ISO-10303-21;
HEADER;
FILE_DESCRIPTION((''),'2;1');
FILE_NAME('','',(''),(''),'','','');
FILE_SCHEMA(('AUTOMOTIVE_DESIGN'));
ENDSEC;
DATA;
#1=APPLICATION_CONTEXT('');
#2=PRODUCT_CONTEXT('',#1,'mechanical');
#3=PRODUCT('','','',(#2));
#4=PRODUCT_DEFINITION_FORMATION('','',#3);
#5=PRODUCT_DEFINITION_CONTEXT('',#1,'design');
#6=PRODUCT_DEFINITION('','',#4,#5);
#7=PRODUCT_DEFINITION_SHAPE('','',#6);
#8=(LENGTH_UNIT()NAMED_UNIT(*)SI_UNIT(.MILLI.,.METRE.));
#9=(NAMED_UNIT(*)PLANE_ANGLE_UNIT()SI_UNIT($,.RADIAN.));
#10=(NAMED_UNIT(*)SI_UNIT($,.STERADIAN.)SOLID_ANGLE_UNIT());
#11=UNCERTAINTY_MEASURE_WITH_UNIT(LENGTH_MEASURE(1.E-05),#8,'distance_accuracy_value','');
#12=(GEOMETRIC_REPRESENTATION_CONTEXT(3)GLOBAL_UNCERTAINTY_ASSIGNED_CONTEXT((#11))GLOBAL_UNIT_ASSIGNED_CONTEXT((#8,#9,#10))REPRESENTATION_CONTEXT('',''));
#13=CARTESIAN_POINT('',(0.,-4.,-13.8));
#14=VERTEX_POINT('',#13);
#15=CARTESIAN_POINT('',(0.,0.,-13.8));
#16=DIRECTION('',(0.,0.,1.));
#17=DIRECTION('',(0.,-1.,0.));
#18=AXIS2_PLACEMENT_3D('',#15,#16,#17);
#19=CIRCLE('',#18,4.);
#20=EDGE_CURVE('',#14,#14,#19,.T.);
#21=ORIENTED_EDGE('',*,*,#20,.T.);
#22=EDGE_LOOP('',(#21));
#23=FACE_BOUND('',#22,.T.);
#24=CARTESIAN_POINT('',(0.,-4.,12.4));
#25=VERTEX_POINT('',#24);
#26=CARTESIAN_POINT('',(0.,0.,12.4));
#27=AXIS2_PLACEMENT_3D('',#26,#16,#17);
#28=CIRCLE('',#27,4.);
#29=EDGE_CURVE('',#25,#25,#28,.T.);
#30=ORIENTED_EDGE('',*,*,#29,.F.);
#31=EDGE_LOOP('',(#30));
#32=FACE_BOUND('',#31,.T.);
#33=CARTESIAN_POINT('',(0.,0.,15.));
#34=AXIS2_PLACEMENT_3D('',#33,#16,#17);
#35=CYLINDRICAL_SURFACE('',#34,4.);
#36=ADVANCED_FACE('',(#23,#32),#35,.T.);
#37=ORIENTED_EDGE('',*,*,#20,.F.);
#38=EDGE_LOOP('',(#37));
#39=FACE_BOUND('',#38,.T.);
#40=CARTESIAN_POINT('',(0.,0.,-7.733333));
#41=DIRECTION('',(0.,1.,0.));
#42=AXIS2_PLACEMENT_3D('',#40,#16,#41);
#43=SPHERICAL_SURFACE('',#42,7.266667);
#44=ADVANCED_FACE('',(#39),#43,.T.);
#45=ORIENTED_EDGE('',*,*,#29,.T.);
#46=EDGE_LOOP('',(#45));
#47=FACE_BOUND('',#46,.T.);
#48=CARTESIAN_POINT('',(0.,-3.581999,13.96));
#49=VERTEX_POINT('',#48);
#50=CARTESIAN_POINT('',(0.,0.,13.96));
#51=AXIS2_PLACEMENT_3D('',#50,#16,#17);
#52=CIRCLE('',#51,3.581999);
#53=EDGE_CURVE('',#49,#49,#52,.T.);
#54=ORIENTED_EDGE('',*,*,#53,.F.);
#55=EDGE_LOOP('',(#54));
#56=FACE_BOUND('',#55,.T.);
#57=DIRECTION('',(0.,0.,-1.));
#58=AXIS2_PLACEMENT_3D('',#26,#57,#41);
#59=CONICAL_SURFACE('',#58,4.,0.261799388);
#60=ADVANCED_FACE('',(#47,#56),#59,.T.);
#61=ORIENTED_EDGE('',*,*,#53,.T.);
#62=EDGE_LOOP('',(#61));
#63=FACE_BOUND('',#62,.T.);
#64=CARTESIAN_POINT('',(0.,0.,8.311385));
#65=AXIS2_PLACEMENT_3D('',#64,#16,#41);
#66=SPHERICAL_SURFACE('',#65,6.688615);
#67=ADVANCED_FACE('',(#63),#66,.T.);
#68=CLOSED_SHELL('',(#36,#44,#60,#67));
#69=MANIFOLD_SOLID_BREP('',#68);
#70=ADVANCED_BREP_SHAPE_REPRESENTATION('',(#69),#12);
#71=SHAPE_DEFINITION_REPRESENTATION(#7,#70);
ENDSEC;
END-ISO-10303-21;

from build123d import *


with BuildPart() as part:
    # Sketch3 → Revolve1 (revolve)
    with BuildSketch(Plane(origin=(0, 0, 0), x_dir=(0, 0, -1), z_dir=(1, 0, 0))):
        with BuildLine():
            Line((-15, 0), (15, 0))
            ThreePointArc((15, 0), (14.693537673, 2.088061302), (13.8, 4))
            Line((13.8, 4), (-12.4, 4))
            Line((-12.4, 4), (-13.96, 3.58199926))
            ThreePointArc((-13.96, 3.58199926), (-14.734740106, 1.864961038), (-15, 0))
        make_face()
    revolve(axis=Axis((0, 0, 15), (0, 0, -1)))


solid = part.part
